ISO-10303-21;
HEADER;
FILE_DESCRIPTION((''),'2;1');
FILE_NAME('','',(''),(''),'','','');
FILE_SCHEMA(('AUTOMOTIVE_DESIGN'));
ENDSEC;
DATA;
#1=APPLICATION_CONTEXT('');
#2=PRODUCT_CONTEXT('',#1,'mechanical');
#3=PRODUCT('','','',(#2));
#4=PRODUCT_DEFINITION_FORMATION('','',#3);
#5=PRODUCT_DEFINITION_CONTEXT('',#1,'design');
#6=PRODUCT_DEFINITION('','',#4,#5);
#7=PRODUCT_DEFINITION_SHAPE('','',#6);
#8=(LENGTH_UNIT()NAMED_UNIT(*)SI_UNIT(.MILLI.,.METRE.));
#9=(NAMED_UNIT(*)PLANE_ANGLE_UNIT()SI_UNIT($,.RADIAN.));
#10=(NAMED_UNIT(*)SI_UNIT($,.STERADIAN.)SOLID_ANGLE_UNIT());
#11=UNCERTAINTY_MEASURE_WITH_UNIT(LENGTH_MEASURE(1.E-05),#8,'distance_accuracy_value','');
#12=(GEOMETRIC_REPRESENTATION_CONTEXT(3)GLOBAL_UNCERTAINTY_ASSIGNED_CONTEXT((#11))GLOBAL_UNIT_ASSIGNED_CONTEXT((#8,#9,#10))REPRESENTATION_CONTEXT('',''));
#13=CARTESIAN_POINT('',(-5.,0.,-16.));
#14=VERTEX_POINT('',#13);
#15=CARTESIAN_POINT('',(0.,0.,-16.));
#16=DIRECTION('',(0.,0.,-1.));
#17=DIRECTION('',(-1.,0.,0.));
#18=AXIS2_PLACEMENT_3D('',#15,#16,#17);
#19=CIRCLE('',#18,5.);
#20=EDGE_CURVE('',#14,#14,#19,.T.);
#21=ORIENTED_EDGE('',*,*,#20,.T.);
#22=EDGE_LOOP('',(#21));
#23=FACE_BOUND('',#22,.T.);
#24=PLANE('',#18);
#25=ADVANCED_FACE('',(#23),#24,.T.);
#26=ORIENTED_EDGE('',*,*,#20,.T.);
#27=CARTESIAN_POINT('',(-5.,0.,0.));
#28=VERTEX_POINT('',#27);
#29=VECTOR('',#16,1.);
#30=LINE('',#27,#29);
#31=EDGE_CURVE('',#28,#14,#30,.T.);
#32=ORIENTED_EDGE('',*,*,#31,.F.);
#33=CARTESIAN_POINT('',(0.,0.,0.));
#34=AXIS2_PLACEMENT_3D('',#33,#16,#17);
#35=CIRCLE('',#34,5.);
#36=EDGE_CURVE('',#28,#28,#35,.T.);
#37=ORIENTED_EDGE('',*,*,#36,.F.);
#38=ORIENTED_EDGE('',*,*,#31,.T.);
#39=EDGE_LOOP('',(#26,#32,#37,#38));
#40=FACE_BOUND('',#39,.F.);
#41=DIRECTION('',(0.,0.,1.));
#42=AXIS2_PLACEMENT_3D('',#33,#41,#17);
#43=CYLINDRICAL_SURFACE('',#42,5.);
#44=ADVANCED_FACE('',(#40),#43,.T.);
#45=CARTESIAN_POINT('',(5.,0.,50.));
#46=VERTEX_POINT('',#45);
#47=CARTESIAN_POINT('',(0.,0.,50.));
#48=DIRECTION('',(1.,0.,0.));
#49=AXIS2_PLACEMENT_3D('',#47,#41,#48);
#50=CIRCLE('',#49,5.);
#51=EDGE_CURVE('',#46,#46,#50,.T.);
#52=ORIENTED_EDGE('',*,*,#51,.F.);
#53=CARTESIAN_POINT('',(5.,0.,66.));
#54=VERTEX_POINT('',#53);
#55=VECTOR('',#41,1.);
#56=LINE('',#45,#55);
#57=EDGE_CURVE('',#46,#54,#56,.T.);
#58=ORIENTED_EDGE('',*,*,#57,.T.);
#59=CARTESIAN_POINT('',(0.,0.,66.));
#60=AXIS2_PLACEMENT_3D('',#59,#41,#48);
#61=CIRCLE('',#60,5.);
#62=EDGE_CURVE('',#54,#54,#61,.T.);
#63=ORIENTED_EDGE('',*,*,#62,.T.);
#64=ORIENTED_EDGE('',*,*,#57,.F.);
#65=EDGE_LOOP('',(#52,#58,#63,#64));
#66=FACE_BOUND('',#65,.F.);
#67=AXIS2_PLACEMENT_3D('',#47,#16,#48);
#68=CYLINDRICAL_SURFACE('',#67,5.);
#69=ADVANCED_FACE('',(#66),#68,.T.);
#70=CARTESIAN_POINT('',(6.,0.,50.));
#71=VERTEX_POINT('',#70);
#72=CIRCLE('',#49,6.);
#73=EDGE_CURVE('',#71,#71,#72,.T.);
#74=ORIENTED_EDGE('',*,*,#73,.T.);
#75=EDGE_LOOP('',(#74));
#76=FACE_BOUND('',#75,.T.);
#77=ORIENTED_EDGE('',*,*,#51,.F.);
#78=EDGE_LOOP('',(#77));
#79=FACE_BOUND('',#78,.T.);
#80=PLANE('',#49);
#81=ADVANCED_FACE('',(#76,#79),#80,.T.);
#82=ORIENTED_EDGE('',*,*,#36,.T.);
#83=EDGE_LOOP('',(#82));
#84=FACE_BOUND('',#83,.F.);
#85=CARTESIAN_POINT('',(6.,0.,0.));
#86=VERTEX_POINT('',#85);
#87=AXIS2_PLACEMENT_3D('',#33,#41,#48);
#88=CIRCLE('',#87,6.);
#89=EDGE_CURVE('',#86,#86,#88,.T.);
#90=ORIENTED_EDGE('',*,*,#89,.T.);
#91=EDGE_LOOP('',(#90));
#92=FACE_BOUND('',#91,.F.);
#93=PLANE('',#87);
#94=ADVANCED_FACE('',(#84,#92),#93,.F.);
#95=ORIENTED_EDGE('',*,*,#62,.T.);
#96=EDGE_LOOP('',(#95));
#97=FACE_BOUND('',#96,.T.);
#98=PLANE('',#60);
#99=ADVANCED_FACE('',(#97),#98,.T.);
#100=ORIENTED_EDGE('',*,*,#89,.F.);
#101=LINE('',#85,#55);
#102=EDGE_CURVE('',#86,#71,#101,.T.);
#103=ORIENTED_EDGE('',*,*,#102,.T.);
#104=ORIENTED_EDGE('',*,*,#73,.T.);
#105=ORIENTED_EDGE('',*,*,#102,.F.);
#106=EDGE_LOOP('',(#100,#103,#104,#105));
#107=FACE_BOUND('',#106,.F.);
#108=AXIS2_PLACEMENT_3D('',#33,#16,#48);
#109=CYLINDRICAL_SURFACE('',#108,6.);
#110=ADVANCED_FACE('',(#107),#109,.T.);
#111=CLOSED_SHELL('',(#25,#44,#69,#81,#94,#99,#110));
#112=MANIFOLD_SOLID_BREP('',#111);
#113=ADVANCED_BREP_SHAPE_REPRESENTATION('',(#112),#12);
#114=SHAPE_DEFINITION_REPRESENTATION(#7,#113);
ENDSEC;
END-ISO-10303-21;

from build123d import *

# Parameters (mm, degrees)
IZIM1_R                     = 6
Y_KSEKLIK_EKSTR_ZYON1_DEPTH = 50
IZIM2_R                     = 5
Y_KSEKLIK_EKSTR_ZYON2_DEPTH = 16
IZIM3_R                     = 5
Y_KSEKLIK_EKSTR_ZYON3_DEPTH = 16


with BuildPart() as part:
    # Çizim1 → Yükseklik-Ekstrüzyon1 (new body)
    with BuildSketch(Plane.XY):
        Circle(IZIM1_R)
    extrude(amount=Y_KSEKLIK_EKSTR_ZYON1_DEPTH)

    # Çizim2 → Yükseklik-Ekstrüzyon2 (add)
    with BuildSketch(Plane.XY.offset(50)):
        Circle(IZIM2_R)
    extrude(amount=Y_KSEKLIK_EKSTR_ZYON2_DEPTH)

    # Çizim3 → Yükseklik-Ekstrüzyon3 (add)
    with BuildSketch(Plane(origin=(0, 0, 0), x_dir=(-1, 0, 0), z_dir=(0, 0, -1))):
        Circle(IZIM3_R)
    extrude(amount=Y_KSEKLIK_EKSTR_ZYON3_DEPTH)


solid = part.part
